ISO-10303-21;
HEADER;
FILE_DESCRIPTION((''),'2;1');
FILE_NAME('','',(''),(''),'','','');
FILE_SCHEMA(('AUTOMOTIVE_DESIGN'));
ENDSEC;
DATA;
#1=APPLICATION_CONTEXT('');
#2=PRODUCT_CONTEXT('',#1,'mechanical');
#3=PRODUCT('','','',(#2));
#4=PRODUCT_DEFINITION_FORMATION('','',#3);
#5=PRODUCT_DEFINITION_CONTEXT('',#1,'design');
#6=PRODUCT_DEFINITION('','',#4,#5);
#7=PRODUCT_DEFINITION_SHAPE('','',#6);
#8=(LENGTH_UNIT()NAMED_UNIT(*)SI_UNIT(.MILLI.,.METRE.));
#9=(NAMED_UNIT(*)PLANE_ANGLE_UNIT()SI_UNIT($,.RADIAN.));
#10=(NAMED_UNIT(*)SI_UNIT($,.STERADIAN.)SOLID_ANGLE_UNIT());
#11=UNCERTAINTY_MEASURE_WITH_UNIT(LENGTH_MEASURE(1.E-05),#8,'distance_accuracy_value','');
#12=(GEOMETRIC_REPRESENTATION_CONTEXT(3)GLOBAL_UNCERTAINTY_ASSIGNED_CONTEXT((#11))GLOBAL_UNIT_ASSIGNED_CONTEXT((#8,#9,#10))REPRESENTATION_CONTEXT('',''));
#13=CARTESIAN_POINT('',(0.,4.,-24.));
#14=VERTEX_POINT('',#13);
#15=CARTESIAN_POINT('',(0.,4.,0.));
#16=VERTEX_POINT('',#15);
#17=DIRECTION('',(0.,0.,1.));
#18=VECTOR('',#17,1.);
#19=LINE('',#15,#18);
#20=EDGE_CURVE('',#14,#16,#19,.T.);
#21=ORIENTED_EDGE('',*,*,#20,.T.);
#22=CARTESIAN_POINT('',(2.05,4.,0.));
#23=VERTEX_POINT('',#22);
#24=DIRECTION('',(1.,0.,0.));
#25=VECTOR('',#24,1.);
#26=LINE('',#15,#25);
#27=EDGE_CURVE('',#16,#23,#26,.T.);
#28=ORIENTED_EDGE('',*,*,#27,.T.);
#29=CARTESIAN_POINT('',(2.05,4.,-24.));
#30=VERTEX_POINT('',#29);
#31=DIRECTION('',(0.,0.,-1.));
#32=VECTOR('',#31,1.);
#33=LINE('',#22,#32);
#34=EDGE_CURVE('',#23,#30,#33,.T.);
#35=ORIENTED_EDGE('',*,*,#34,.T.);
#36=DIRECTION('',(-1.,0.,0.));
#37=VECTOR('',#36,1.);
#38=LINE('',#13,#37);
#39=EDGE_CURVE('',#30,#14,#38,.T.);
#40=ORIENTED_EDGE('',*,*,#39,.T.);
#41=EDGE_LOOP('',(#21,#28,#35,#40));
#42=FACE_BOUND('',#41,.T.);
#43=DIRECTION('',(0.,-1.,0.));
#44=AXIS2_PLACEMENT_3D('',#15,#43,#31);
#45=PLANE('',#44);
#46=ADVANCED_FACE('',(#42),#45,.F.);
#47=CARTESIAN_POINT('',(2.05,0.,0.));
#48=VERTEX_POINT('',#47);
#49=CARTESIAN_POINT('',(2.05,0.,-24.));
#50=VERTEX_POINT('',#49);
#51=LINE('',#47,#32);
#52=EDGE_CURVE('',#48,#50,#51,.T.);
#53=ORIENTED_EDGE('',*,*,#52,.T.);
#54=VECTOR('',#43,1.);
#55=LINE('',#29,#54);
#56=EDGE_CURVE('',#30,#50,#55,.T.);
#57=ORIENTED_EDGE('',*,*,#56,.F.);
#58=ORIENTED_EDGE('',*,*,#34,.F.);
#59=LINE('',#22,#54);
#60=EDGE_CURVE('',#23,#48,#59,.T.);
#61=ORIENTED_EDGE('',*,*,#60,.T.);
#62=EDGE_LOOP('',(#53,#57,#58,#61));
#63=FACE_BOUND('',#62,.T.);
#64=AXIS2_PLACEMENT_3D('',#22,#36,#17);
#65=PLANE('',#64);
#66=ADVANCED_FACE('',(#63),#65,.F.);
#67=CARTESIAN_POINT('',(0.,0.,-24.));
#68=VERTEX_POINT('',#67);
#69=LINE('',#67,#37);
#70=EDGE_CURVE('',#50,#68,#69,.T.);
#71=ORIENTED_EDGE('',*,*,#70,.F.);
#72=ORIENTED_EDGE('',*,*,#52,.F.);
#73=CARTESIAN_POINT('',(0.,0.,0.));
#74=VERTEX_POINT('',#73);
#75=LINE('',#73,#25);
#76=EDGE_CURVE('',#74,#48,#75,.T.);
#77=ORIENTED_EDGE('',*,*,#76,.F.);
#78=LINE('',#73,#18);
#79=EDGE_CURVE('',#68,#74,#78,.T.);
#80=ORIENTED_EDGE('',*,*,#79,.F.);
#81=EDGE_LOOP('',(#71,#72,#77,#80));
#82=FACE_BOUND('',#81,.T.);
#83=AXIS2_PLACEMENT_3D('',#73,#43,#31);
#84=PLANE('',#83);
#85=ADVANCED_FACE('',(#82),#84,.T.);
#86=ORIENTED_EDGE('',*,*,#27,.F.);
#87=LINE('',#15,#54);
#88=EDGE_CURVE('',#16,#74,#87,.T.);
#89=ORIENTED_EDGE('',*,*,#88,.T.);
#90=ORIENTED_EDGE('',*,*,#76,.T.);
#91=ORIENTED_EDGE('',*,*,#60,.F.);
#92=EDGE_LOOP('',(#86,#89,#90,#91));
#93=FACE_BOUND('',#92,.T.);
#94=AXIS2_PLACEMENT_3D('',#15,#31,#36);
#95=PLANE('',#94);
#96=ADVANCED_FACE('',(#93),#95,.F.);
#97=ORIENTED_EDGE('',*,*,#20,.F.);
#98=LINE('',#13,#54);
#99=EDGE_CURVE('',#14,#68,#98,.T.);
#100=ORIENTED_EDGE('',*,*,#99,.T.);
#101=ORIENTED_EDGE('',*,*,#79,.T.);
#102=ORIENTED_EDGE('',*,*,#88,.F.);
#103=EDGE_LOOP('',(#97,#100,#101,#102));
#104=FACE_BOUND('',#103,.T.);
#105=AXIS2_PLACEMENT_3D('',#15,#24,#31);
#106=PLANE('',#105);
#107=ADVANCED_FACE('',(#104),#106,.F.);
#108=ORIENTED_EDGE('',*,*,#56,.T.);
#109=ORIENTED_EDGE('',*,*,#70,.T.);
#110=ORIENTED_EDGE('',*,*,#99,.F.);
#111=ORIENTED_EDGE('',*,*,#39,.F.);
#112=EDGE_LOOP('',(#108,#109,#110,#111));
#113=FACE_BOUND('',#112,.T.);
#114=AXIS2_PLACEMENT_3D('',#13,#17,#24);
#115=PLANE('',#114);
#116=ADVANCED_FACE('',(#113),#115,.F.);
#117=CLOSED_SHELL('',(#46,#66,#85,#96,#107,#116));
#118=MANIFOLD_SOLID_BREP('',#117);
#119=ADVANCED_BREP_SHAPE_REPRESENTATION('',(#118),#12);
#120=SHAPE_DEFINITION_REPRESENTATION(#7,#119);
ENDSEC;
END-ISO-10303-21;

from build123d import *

# Parameters (mm, degrees)
SKETCH_1_W      = 2.05
SKETCH_1_H      = 24
EXTRUDE_2_DEPTH = 4


with BuildPart() as part:
    # ｽｹｯﾁ1 → ﾎﾞｽ - 押し出し2 (new body)
    with BuildSketch(Plane(origin=(0, 0, 0), x_dir=(1, 0, 0), z_dir=(0, 1, 0))):
        with Locations((1.025, 12)):
            Rectangle(SKETCH_1_W, SKETCH_1_H)
    extrude(amount=EXTRUDE_2_DEPTH)


solid = part.part
